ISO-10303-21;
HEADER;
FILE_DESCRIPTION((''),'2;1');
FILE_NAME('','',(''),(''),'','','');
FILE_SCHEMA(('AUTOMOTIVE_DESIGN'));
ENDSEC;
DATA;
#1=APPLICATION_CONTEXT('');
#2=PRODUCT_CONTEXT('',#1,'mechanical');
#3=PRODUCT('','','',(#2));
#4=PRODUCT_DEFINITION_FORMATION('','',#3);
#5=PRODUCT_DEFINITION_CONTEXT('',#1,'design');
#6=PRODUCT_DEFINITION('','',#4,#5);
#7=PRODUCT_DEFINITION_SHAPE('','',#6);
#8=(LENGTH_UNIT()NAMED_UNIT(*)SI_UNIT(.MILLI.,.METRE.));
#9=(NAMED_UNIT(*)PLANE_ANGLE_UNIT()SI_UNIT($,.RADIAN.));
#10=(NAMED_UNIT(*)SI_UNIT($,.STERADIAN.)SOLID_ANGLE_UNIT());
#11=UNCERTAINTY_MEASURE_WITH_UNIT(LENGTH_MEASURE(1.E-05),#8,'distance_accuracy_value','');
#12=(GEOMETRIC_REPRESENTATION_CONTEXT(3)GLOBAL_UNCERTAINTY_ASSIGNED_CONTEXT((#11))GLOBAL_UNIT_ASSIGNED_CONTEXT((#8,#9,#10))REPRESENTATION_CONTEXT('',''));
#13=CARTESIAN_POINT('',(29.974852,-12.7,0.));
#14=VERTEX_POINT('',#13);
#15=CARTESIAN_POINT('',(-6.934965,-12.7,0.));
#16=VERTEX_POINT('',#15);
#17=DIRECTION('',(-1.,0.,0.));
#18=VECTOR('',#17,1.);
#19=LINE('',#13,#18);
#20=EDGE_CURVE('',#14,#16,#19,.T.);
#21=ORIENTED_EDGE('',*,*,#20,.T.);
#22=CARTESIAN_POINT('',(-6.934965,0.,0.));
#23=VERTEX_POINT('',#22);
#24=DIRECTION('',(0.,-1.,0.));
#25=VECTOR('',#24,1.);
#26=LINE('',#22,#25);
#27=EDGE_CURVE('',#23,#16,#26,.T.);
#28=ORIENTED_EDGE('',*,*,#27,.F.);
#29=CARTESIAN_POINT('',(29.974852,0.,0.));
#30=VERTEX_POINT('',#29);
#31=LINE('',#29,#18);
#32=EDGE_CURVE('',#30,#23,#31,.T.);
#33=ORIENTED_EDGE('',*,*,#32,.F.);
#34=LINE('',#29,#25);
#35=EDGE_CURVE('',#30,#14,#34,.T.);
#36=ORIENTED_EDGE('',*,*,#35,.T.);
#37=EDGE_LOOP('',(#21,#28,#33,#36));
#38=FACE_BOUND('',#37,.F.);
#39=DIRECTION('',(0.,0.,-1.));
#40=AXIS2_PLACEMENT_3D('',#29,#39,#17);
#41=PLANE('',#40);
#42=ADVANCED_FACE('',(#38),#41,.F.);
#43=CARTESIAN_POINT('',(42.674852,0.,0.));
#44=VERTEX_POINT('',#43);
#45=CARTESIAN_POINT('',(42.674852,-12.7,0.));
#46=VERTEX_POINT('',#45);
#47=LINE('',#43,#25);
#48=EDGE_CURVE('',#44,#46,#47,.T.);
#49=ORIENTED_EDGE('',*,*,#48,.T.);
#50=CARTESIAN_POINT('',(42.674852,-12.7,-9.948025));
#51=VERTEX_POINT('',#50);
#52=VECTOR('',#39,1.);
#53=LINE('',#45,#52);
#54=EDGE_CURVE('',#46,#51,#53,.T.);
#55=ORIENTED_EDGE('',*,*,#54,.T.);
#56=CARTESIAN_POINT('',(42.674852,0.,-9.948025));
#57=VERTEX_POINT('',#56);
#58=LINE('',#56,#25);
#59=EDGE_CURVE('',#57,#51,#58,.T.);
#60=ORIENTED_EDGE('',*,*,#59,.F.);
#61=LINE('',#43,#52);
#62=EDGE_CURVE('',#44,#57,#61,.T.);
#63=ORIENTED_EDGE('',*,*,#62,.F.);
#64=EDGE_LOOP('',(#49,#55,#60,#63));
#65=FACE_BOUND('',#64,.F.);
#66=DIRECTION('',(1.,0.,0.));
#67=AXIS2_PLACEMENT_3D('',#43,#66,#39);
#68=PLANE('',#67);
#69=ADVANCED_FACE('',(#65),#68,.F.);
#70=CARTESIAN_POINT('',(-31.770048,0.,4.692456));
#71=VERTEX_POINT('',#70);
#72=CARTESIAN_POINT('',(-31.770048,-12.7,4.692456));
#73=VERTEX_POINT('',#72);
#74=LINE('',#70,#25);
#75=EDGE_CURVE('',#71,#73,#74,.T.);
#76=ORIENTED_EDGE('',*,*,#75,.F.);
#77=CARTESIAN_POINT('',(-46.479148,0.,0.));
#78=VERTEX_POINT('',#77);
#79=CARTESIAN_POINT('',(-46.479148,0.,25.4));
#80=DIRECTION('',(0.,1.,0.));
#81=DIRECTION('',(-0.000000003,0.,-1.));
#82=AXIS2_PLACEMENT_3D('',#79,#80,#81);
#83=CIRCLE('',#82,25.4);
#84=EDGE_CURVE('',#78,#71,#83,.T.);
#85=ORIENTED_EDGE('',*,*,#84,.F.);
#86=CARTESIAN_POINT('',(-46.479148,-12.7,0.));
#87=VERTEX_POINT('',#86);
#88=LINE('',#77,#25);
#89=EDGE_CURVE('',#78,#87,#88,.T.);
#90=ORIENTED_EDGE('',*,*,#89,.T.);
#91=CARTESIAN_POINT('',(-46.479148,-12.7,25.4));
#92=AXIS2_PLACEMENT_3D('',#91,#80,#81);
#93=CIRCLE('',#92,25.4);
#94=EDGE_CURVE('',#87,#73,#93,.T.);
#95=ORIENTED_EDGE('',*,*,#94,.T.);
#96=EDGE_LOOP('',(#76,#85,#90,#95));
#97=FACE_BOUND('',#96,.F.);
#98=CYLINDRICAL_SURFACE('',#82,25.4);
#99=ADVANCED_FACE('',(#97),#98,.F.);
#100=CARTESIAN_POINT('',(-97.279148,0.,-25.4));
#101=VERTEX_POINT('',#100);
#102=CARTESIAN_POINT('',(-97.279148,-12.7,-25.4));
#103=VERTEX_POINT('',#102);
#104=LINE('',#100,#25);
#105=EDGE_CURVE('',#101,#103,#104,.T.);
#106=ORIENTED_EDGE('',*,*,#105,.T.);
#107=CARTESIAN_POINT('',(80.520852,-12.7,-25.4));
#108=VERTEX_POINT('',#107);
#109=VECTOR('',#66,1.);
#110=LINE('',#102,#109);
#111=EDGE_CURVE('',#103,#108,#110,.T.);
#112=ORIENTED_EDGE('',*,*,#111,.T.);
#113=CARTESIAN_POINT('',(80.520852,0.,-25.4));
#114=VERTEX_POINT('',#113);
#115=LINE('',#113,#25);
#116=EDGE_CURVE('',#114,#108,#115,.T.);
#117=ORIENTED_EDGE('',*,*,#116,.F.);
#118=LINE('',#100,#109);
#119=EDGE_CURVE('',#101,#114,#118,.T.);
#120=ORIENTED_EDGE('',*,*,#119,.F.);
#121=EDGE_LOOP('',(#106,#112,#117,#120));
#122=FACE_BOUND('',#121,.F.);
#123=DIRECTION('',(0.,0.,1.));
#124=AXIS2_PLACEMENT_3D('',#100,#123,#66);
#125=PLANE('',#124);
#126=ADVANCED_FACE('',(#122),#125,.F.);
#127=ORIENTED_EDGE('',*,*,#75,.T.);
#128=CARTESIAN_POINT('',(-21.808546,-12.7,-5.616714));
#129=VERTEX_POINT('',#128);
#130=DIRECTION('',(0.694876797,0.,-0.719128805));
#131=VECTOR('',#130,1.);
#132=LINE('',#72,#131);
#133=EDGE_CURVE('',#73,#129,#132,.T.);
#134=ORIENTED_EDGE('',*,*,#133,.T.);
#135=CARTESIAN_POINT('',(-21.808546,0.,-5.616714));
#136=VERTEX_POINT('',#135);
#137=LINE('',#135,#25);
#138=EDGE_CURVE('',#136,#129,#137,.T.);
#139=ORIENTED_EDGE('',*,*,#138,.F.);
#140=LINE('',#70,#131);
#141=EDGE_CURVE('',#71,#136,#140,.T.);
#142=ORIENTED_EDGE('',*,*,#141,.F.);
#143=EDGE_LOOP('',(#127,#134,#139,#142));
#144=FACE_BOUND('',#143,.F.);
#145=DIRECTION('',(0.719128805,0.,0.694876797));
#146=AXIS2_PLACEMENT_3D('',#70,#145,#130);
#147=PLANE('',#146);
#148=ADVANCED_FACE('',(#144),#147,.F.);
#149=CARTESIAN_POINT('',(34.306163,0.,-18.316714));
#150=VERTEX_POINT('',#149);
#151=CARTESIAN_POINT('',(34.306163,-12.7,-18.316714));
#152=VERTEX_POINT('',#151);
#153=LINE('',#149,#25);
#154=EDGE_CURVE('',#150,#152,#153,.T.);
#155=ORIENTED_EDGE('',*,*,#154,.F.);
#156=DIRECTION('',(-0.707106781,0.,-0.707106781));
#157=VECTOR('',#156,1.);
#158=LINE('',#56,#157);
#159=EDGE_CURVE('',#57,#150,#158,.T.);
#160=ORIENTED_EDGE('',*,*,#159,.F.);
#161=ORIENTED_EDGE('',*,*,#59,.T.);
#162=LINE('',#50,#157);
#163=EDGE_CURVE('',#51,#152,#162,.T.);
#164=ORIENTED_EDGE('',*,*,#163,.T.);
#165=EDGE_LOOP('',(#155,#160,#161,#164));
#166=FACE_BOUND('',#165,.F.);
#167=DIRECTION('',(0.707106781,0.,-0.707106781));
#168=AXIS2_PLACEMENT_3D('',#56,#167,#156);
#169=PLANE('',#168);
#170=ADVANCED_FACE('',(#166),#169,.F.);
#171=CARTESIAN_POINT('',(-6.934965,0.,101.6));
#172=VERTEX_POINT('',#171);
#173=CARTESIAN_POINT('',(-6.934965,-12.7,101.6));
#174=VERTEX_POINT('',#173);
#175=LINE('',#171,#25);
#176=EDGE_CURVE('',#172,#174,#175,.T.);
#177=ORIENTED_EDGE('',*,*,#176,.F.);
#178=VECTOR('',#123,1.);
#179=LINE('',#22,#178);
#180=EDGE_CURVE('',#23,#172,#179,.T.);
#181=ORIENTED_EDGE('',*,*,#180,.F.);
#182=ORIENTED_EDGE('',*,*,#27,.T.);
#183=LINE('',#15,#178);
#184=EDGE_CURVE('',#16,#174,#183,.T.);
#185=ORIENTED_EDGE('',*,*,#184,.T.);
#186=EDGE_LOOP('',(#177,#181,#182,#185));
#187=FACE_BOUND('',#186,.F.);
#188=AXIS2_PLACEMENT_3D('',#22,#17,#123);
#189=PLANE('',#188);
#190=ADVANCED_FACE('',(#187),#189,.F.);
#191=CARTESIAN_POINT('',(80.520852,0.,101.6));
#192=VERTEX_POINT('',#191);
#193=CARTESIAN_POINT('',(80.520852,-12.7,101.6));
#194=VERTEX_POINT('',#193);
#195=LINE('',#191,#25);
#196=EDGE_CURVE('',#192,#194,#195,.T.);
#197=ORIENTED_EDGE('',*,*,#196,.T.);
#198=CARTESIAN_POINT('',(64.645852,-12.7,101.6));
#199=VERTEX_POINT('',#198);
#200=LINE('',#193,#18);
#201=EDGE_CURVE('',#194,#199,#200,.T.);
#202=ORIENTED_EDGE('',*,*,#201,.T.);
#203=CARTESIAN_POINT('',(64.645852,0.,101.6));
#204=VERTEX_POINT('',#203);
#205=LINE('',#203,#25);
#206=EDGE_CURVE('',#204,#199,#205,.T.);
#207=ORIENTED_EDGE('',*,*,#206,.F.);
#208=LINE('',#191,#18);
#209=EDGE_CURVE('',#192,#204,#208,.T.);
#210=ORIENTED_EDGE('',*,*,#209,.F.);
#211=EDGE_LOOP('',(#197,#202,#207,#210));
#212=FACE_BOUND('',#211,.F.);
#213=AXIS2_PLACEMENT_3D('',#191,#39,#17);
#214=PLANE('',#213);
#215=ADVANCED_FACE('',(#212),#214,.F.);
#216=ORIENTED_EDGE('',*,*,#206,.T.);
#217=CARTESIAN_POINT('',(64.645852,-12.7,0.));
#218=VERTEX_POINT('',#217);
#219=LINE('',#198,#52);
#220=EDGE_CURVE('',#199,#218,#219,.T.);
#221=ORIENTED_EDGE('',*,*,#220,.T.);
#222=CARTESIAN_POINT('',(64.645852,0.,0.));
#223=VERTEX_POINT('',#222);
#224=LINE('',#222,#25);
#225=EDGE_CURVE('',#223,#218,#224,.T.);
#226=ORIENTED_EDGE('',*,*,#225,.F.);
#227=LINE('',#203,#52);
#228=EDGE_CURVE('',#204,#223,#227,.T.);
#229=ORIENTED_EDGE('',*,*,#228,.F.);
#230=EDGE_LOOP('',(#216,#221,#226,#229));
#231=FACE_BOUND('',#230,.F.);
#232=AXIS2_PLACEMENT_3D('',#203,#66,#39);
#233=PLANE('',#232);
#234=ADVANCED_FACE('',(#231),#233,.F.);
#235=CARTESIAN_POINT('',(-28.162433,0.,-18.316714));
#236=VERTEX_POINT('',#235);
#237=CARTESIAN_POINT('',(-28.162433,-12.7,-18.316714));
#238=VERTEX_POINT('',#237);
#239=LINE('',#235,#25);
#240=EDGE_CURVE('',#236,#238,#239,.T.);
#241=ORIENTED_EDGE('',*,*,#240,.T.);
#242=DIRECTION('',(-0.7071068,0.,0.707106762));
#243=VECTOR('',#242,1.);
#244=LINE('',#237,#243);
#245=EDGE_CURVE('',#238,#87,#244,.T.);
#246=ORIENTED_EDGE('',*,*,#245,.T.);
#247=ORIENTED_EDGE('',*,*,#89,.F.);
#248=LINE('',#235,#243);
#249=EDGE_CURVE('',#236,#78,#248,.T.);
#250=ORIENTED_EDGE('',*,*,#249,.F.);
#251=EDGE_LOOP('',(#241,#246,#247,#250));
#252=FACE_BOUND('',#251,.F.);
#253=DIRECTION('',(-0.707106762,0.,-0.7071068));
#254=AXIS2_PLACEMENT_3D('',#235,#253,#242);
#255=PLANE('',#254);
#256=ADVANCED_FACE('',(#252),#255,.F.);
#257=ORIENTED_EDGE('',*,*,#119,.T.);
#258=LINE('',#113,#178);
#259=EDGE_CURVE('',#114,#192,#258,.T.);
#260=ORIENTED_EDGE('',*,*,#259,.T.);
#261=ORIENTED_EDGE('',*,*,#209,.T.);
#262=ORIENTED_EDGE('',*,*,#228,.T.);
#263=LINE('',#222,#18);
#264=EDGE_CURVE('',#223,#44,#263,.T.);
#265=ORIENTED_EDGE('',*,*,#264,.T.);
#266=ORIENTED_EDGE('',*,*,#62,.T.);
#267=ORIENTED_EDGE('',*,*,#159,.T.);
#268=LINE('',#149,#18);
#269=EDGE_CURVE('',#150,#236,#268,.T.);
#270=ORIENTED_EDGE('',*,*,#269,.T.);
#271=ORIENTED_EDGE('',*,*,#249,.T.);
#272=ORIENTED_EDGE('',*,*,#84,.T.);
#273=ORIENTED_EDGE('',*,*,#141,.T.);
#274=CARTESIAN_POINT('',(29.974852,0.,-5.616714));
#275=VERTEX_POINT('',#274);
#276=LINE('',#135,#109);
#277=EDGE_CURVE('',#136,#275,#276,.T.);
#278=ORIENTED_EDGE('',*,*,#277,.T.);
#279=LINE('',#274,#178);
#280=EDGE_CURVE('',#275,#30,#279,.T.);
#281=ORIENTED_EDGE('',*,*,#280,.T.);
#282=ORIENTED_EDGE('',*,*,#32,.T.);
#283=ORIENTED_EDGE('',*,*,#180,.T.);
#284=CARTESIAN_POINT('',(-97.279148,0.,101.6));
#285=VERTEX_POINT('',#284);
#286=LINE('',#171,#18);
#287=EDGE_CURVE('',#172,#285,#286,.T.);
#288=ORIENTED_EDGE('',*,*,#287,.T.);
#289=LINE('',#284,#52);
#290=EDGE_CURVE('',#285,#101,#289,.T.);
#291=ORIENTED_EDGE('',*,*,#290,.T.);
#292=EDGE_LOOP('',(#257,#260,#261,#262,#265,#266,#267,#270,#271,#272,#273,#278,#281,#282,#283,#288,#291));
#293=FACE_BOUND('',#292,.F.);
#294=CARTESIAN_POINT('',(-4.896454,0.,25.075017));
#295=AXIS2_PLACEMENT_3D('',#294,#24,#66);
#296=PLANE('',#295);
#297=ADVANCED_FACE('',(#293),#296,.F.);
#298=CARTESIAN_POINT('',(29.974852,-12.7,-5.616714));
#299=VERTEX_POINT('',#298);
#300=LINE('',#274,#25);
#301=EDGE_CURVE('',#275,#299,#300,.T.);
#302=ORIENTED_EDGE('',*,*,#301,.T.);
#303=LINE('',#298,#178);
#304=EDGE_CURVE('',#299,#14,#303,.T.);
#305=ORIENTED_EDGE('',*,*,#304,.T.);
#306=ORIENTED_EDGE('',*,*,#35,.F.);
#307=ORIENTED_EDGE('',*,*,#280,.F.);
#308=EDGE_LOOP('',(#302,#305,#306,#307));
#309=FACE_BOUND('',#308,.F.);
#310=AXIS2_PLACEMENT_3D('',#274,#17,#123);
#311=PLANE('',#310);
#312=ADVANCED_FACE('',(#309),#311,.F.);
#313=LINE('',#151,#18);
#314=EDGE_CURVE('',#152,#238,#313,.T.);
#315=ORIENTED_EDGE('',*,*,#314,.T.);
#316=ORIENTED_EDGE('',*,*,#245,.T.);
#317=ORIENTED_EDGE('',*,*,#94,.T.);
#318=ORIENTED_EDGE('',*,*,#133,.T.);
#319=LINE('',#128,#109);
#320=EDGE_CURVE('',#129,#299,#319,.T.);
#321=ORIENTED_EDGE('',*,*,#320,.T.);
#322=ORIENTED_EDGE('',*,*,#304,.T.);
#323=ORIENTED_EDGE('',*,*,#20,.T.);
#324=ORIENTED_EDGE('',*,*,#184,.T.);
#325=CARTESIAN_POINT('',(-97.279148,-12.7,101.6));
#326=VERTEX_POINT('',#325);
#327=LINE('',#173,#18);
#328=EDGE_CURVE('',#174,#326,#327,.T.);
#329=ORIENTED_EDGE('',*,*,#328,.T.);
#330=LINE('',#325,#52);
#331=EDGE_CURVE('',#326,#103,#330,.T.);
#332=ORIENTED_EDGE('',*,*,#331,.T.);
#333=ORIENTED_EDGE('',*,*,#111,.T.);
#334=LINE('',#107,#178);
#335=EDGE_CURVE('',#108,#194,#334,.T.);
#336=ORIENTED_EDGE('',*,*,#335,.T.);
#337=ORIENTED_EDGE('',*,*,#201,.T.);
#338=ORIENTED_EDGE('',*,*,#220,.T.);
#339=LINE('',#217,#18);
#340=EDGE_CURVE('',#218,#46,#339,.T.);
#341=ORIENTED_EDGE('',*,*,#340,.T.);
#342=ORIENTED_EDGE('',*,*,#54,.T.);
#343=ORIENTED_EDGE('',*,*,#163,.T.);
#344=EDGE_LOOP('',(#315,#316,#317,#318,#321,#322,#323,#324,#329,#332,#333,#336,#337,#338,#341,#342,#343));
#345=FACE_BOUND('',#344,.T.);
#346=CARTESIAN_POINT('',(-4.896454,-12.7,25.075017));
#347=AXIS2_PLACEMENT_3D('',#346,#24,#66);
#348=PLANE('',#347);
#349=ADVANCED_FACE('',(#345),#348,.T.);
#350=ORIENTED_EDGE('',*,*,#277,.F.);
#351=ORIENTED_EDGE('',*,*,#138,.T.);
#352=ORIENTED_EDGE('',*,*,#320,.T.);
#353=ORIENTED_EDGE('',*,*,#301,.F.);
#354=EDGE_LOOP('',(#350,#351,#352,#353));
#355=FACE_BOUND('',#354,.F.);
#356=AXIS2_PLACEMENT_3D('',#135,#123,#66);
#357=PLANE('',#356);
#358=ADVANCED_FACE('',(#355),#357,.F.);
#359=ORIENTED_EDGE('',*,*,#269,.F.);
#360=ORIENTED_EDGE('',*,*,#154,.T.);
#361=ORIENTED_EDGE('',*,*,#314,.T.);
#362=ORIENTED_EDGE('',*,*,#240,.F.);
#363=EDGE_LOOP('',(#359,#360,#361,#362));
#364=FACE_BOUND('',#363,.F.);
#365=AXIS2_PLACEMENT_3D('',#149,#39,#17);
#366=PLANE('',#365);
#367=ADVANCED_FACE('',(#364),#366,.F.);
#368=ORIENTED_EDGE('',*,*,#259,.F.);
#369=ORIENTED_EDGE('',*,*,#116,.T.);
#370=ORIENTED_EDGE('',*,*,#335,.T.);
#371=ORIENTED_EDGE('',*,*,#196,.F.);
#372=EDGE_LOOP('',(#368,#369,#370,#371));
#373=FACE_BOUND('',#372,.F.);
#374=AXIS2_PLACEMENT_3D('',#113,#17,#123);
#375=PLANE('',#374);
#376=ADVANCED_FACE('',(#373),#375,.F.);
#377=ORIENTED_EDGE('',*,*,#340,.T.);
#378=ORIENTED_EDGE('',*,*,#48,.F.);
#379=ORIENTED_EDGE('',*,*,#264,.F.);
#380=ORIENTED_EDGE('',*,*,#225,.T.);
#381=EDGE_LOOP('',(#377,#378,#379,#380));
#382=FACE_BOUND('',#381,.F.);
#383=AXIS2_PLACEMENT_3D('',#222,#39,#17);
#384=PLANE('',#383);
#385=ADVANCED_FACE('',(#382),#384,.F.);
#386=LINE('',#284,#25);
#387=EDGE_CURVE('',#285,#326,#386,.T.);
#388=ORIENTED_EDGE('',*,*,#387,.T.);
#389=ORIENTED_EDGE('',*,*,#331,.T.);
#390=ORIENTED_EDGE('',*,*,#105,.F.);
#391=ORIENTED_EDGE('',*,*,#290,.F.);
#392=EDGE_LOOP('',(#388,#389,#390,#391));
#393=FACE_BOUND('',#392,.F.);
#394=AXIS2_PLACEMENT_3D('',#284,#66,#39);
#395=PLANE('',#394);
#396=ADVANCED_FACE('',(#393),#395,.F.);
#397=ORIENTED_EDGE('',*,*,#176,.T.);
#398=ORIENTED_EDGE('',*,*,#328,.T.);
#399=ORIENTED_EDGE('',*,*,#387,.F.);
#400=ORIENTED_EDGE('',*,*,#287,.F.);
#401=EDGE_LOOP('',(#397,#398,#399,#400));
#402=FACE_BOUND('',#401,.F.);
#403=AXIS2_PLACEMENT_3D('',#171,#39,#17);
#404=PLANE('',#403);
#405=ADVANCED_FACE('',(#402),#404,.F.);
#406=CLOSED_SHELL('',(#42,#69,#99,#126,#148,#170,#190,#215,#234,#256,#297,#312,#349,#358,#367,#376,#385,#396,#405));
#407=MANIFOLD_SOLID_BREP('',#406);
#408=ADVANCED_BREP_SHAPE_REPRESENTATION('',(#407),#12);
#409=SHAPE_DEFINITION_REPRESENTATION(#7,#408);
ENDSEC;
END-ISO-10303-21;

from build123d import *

# Parameters (mm, degrees)
F1_DEPTH = 12.7


with BuildPart() as f1:
    # F0 (on Front) → F1 (new body)
    with BuildSketch(Plane.XZ):
        with BuildLine():
            Line((-6.934965, 101.6), (-97.279148, 101.6))
            Line((-97.279148, 101.6), (-97.279148, -25.4))
            Line((-97.279148, -25.4), (80.520852, -25.4))
            Line((80.520852, -25.4), (80.520852, 101.6))
            Line((80.520852, 101.6), (64.645852, 101.6))
            Line((64.645852, 101.6), (64.645852, 0))
            Line((64.645852, 0), (42.674852, 0))
            Line((42.674852, 0), (42.674852, -9.948025))
            Line((42.674852, -9.948025), (34.306163, -18.316714))
            Line((34.306163, -18.316714), (-28.162433, -18.316714))
            Line((-28.162433, -18.316714), (-46.479148, 0))
            ThreePointArc((-46.479148, 0), (-54.198875, 49.598467), (-31.770048, 4.692456))
            Line((-31.770048, 4.692456), (-21.808546, -5.616714))
            Line((-21.808546, -5.616714), (29.974852, -5.616714))
            Line((29.974852, -5.616714), (29.974852, 0))
            Line((29.974852, 0), (-6.934965, 0))
            Line((-6.934965, 0), (-6.934965, 101.6))
        make_face()
    extrude(amount=F1_DEPTH)


solid = f1.part
